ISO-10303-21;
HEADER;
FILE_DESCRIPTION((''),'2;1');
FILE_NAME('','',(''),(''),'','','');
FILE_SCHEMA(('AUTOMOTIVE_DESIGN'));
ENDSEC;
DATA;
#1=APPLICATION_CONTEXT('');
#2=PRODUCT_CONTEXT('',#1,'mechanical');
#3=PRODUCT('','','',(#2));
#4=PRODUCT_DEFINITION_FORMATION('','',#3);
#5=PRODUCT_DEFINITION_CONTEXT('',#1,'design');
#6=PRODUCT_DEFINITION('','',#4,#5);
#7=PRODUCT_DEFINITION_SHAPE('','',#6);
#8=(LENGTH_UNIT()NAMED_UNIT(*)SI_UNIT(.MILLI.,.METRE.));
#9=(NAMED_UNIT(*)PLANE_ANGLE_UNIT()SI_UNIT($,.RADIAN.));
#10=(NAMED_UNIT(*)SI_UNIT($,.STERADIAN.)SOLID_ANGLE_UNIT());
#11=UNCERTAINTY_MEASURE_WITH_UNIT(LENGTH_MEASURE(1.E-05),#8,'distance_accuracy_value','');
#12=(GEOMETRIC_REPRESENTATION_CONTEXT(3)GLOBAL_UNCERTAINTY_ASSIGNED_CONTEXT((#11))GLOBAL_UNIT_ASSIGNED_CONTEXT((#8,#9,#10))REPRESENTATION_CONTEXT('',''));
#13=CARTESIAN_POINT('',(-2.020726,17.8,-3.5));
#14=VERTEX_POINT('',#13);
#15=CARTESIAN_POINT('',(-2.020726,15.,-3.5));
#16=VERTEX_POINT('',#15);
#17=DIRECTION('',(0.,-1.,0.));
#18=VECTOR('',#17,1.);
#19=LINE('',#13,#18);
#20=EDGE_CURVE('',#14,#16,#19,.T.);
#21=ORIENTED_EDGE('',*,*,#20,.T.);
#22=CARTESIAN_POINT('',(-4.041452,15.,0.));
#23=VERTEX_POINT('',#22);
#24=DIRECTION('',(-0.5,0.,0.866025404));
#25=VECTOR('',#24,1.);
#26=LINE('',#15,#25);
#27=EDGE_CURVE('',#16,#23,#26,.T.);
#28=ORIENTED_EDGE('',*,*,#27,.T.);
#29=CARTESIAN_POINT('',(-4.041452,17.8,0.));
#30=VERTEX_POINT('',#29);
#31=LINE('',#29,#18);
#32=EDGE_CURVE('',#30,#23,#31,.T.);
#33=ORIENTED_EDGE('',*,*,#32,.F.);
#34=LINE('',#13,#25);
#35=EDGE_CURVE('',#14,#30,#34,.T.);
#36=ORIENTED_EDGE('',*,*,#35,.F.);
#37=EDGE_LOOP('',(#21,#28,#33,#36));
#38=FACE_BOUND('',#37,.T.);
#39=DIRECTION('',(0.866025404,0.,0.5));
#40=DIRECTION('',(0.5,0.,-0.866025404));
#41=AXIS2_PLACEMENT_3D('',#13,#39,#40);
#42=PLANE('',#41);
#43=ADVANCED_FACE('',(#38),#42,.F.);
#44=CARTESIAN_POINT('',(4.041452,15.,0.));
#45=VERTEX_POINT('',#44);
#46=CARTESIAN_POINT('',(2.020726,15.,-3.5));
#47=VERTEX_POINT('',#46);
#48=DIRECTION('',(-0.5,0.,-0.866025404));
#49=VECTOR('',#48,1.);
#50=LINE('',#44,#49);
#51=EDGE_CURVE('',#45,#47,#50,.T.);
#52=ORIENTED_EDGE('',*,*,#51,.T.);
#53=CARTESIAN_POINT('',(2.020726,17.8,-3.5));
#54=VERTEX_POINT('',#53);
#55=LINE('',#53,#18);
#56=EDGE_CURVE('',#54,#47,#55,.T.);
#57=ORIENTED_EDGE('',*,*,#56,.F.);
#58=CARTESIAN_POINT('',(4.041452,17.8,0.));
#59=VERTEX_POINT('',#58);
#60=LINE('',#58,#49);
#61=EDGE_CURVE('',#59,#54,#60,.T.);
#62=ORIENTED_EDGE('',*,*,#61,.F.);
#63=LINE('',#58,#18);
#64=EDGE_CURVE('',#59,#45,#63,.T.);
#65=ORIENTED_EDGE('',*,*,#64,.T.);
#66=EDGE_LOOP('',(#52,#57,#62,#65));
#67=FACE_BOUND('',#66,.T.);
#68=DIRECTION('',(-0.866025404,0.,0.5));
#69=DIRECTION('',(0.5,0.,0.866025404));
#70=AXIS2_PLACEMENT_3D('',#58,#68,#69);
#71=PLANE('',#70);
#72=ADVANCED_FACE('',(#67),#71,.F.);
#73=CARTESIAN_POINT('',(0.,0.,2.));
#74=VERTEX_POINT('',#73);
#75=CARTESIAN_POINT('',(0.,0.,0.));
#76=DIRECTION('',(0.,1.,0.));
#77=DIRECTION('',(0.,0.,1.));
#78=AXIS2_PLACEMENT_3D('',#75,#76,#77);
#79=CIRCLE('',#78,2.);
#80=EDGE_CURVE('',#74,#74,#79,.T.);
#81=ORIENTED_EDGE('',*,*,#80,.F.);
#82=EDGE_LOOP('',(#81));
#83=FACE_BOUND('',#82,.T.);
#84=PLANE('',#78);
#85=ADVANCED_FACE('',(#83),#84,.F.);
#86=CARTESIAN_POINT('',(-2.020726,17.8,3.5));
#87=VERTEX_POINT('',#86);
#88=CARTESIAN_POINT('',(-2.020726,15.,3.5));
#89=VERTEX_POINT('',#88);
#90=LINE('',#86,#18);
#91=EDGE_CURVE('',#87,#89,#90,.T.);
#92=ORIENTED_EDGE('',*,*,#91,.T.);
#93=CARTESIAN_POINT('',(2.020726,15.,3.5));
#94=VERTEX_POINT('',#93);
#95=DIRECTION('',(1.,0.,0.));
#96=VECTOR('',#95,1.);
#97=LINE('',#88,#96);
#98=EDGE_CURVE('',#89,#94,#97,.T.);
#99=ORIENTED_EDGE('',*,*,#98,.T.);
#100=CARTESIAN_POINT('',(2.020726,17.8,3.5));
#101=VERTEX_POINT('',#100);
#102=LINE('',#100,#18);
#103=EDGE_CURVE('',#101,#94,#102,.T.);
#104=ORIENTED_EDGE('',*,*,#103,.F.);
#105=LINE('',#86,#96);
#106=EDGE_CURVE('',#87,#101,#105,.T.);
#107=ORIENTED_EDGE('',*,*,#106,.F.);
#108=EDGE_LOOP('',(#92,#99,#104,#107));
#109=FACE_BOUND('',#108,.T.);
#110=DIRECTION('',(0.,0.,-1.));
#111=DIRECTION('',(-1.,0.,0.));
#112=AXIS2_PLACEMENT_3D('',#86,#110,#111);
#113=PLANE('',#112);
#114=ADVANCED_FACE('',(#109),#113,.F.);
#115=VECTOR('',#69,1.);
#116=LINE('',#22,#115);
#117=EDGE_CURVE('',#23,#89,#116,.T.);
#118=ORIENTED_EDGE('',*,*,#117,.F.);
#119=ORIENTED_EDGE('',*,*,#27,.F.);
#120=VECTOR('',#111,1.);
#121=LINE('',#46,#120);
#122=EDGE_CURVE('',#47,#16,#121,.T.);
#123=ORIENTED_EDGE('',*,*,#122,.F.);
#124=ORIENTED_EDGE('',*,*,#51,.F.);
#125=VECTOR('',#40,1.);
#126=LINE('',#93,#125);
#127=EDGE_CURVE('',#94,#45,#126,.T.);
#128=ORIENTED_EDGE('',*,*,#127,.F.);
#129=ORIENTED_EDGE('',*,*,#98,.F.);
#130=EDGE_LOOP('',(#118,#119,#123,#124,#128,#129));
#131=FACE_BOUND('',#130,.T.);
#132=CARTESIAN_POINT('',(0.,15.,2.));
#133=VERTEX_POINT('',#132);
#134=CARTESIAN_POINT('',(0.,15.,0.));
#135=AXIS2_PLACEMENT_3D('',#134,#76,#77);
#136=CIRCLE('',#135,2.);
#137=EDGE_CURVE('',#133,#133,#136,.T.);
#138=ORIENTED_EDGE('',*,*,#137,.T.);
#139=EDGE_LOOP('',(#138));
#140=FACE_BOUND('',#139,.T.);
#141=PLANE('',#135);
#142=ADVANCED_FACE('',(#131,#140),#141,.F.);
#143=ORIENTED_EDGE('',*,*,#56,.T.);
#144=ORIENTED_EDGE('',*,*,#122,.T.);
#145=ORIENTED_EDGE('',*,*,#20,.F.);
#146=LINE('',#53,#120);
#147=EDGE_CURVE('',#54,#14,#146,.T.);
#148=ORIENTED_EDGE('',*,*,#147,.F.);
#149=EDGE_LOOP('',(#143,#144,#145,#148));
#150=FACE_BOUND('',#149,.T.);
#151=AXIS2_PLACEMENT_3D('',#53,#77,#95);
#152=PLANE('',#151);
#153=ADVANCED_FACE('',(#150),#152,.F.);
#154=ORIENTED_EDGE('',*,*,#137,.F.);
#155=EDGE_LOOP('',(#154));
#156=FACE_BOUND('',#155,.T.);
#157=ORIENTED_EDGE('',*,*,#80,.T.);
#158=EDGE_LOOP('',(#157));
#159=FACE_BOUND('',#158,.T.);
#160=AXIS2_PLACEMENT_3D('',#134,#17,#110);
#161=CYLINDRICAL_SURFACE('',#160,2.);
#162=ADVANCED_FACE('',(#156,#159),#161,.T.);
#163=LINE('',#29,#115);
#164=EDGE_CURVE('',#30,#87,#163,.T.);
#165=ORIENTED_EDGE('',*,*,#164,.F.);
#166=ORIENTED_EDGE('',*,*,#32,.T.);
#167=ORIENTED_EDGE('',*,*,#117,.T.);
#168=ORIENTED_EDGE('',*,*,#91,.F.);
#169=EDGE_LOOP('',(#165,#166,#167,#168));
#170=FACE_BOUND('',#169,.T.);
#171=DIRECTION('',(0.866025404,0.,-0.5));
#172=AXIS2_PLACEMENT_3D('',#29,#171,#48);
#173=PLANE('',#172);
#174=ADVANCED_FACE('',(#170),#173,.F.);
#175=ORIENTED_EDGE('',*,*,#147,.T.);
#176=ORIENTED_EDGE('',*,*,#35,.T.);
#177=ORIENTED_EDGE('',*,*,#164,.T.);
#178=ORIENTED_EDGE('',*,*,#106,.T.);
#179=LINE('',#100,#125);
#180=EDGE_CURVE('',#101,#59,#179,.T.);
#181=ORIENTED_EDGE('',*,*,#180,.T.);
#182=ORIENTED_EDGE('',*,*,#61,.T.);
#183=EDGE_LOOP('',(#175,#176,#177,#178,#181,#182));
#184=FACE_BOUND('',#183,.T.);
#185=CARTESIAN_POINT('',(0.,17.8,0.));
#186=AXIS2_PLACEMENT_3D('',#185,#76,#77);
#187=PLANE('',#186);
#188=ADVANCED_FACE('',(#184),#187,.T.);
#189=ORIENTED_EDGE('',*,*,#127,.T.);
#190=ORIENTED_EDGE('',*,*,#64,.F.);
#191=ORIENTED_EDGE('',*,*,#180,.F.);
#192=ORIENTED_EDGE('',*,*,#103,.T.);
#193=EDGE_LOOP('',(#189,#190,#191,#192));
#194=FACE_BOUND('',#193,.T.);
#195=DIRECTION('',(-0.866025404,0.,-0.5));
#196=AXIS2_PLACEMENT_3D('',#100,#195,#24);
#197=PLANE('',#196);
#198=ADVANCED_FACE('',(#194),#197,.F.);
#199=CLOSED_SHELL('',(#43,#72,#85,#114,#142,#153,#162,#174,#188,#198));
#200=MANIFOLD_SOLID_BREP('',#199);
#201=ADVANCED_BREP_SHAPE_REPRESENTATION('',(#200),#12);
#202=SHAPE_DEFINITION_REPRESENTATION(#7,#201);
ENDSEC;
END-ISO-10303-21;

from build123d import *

# Parameters (mm, degrees)
SKETCH_1_R      = 2
EXTRUDE_1_DEPTH = 15
EXTRUDE_2_DEPTH = 2.8


with BuildPart() as part:
    # 草图1 → 凸台-拉伸1 (new body)
    with BuildSketch(Plane(origin=(0, 0, 0), x_dir=(1, 0, 0), z_dir=(0, 1, 0))):
        with Locations(Location((0, 0, 0), (0, 0, 270))):
            Circle(SKETCH_1_R)
    extrude(amount=EXTRUDE_1_DEPTH)

    # 草图2 → 凸台-拉伸2 (add)
    with BuildSketch(Plane(origin=(0, 15, 0), x_dir=(1, 0, 0), z_dir=(0, 1, 0))):
        Polygon((4.041451884, 0), (2.020725942, 3.5), (-2.020725942, 3.5), (-4.041451884, 0), (-2.020725942, -3.5), (2.020725942, -3.5), align=None)
    extrude(amount=EXTRUDE_2_DEPTH)


solid = part.part
